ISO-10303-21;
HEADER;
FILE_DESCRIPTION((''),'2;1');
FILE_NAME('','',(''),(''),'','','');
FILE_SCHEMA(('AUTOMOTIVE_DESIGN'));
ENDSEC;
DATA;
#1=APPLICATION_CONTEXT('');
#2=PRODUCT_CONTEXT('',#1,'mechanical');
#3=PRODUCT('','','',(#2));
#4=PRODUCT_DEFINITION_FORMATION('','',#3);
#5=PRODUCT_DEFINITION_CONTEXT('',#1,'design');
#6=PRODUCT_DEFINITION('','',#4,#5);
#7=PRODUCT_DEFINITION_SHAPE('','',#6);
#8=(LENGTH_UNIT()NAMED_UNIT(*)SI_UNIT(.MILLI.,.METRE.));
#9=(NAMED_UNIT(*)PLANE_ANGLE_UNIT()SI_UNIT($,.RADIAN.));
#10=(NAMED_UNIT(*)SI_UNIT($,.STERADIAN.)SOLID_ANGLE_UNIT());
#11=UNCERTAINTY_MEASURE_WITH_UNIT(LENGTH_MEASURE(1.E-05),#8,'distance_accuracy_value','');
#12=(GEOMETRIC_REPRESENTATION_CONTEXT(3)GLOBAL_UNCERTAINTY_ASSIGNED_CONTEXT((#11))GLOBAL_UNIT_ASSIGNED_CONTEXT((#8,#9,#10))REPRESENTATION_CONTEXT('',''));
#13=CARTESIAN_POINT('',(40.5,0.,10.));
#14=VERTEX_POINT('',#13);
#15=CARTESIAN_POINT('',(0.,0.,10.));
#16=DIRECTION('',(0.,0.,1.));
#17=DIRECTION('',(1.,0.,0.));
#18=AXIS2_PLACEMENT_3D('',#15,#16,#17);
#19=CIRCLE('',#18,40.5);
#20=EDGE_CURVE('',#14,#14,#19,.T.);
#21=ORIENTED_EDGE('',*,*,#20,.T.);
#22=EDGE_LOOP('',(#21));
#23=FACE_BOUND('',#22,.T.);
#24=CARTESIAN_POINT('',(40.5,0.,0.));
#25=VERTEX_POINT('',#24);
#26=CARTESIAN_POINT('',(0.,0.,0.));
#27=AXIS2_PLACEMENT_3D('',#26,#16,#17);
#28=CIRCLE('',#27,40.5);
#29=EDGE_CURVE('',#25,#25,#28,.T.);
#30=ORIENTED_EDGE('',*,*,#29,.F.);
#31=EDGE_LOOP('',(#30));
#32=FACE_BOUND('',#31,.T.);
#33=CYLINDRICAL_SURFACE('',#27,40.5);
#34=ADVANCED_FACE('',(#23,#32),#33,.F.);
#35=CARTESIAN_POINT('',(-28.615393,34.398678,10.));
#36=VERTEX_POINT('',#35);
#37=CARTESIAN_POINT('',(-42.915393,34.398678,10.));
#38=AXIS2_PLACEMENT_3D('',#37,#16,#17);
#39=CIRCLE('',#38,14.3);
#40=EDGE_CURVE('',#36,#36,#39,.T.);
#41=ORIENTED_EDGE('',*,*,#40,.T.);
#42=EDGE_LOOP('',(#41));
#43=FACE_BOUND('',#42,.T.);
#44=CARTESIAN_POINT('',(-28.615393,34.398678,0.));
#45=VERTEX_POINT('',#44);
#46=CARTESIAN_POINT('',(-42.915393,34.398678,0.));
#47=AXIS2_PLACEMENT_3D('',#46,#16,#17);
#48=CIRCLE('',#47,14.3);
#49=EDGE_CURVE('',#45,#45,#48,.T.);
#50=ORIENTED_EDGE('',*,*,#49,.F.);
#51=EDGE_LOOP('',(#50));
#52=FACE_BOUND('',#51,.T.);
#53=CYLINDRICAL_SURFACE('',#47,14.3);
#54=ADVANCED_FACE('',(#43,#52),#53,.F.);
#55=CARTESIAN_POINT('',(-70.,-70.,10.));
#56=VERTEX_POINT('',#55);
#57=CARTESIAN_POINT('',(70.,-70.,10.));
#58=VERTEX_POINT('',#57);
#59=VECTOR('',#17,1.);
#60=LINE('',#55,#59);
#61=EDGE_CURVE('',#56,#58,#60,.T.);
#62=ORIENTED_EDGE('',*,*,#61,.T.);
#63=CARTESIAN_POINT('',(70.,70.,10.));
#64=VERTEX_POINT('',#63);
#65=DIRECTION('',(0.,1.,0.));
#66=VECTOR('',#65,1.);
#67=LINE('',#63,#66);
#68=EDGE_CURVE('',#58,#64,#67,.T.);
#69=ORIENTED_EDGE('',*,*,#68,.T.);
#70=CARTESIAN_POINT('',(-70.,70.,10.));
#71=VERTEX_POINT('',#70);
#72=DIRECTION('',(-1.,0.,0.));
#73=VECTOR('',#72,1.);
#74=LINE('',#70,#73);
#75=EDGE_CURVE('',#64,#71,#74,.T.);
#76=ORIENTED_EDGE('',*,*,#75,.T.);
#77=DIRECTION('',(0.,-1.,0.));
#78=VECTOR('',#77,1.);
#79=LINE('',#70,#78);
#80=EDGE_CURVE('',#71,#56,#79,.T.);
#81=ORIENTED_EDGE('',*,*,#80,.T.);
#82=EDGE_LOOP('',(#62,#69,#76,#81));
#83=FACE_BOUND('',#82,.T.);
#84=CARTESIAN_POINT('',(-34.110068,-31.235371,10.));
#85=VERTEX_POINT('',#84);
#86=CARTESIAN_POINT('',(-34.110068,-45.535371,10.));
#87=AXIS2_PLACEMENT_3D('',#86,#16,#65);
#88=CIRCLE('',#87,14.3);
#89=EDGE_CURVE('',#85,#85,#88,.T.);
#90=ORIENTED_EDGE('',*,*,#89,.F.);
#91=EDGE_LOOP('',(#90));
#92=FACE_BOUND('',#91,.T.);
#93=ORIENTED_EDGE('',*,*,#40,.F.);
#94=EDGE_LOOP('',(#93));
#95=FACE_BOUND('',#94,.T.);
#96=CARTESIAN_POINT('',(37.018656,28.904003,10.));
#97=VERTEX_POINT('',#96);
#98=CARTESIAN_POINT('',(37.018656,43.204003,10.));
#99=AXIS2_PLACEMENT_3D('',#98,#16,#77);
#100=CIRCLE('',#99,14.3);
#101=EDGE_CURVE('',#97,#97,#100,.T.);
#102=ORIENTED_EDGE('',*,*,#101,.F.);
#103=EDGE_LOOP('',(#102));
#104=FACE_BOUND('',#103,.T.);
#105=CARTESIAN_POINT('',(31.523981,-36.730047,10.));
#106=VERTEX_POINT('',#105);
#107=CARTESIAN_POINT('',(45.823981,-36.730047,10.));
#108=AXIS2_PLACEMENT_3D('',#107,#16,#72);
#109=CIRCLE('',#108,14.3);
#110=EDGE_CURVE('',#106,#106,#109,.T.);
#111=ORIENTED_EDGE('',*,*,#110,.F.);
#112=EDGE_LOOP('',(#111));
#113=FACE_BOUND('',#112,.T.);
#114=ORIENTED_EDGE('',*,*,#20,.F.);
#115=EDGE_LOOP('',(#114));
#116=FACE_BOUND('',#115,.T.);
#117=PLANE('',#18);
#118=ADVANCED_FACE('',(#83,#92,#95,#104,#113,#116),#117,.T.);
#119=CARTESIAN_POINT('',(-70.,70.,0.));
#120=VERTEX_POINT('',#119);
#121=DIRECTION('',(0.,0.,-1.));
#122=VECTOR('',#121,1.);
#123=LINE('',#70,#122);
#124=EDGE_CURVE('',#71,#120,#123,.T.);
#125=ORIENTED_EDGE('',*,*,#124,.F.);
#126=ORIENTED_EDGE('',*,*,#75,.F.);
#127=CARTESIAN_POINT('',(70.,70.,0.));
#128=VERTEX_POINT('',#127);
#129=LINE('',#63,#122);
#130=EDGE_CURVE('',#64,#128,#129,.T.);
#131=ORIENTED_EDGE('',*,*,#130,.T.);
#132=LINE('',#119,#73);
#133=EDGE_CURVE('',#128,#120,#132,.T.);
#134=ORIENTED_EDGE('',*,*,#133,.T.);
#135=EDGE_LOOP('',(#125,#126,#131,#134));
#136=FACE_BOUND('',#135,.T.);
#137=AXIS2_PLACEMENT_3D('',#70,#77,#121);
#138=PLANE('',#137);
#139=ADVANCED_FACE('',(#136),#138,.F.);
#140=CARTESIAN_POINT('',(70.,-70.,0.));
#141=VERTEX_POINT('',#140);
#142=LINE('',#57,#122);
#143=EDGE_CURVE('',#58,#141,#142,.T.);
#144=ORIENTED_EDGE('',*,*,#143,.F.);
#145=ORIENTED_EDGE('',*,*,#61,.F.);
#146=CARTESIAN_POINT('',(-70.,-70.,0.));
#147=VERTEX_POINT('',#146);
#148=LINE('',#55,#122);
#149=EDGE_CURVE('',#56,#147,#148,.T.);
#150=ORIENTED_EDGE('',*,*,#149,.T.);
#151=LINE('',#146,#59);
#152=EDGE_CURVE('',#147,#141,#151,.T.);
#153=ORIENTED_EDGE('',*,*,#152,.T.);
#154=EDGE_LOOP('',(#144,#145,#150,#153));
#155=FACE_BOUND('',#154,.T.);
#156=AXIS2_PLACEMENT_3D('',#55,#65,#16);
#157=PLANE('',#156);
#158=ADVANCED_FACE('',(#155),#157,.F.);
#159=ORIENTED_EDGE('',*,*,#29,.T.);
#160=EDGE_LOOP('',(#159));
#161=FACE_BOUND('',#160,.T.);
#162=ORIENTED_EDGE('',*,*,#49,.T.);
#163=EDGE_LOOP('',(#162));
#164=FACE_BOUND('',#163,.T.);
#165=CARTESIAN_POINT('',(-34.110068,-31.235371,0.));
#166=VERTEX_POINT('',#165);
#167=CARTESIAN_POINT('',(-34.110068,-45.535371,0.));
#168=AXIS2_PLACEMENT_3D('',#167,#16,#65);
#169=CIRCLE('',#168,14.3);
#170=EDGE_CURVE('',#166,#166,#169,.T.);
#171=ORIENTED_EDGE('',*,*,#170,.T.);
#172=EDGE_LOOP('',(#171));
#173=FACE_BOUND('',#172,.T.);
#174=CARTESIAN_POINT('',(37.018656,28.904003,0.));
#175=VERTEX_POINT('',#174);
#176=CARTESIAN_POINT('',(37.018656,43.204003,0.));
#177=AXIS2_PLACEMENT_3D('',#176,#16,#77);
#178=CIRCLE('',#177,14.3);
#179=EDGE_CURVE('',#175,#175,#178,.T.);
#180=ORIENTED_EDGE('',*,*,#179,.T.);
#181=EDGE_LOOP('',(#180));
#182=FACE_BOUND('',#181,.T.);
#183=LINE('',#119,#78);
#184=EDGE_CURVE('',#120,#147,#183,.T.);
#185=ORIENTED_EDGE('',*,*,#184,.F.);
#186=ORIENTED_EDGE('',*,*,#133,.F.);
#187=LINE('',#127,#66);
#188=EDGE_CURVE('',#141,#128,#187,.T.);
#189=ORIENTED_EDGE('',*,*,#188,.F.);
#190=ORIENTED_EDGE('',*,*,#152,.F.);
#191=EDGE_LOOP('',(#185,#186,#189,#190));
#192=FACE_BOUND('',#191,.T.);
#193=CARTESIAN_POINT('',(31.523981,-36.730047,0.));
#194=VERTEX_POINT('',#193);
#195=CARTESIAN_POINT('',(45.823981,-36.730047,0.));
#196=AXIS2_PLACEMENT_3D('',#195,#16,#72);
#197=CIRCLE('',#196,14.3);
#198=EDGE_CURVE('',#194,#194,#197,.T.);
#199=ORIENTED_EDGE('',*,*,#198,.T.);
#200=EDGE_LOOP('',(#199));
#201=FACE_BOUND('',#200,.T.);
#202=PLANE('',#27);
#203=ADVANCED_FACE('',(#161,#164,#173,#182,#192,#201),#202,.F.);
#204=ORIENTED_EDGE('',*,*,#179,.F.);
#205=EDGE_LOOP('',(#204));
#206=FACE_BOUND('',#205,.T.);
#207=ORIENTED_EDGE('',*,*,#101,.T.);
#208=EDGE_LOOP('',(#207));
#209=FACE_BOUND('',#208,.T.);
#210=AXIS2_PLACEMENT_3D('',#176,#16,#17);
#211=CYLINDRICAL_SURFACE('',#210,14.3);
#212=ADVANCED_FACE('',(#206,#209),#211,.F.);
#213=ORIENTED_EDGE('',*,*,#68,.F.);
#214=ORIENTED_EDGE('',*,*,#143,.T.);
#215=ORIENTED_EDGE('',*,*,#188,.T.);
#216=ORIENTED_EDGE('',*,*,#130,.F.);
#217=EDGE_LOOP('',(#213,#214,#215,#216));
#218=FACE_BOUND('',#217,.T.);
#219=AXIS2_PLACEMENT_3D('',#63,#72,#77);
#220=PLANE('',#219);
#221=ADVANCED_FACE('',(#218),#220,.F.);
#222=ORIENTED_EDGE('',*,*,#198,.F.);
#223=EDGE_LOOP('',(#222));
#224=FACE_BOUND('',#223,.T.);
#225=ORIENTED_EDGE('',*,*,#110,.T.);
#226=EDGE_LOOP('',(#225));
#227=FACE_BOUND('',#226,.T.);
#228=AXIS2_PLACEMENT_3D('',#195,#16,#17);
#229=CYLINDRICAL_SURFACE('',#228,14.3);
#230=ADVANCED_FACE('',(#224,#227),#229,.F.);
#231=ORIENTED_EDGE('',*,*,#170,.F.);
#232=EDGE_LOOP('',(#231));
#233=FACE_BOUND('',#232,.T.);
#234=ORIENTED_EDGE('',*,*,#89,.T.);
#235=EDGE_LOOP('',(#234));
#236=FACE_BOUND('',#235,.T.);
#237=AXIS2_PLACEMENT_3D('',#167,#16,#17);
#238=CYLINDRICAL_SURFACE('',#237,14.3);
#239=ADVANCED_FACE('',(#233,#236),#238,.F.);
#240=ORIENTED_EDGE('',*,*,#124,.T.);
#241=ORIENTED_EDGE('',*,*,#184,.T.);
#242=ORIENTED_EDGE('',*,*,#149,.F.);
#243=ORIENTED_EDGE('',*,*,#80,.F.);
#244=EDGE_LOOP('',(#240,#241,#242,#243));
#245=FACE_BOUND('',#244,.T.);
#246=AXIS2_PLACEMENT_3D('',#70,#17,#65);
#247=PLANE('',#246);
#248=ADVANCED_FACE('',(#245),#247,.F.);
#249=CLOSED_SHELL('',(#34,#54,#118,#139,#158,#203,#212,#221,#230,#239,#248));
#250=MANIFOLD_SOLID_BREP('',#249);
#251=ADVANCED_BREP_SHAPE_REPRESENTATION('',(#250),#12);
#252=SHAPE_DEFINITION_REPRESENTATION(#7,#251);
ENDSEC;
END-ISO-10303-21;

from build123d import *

# Parameters (mm, degrees)
SKETCH2_W           = 140
SKETCH2_H           = 140
BOSS_EXTRUDE1_DEPTH = 10
SKETCH3_R           = 14.3
CUT_EXTRUDE1_DEPTH  = 100.498743711
CIRPATTERN1_COUNT   = 4
SKETCH4_R           = 40.5
CUT_EXTRUDE2_DEPTH  = 100.498743711


with BuildPart() as part:
    # Sketch2 → Boss-Extrude1 (new body)
    with BuildSketch(Plane.XY):
        Rectangle(SKETCH2_W, SKETCH2_H)
    extrude(amount=BOSS_EXTRUDE1_DEPTH)

    # Sketch3 → Cut-Extrude1 (cut, through all)
    with BuildSketch(Plane.XY.offset(10)):
        with Locations((-42.915392768, 34.398678224)):
            Circle(SKETCH3_R)
    cut_extrude1 = extrude(amount=-CUT_EXTRUDE1_DEPTH, mode=Mode.SUBTRACT)

    # CirPattern1: Cut-Extrude1 ×4 about axis
    cirpattern1_axis = Axis((1.454294092, -1.165684182, 0), (0, 0, 1))
    for i in range(1, CIRPATTERN1_COUNT):
        add(cut_extrude1.rotate(cirpattern1_axis, i * 360 / CIRPATTERN1_COUNT), mode=Mode.SUBTRACT)

    # Sketch4 → Cut-Extrude2 (cut, through all)
    with BuildSketch(Plane.XY.offset(10)):
        Circle(SKETCH4_R)
    extrude(amount=-CUT_EXTRUDE2_DEPTH, mode=Mode.SUBTRACT)


solid = part.part
